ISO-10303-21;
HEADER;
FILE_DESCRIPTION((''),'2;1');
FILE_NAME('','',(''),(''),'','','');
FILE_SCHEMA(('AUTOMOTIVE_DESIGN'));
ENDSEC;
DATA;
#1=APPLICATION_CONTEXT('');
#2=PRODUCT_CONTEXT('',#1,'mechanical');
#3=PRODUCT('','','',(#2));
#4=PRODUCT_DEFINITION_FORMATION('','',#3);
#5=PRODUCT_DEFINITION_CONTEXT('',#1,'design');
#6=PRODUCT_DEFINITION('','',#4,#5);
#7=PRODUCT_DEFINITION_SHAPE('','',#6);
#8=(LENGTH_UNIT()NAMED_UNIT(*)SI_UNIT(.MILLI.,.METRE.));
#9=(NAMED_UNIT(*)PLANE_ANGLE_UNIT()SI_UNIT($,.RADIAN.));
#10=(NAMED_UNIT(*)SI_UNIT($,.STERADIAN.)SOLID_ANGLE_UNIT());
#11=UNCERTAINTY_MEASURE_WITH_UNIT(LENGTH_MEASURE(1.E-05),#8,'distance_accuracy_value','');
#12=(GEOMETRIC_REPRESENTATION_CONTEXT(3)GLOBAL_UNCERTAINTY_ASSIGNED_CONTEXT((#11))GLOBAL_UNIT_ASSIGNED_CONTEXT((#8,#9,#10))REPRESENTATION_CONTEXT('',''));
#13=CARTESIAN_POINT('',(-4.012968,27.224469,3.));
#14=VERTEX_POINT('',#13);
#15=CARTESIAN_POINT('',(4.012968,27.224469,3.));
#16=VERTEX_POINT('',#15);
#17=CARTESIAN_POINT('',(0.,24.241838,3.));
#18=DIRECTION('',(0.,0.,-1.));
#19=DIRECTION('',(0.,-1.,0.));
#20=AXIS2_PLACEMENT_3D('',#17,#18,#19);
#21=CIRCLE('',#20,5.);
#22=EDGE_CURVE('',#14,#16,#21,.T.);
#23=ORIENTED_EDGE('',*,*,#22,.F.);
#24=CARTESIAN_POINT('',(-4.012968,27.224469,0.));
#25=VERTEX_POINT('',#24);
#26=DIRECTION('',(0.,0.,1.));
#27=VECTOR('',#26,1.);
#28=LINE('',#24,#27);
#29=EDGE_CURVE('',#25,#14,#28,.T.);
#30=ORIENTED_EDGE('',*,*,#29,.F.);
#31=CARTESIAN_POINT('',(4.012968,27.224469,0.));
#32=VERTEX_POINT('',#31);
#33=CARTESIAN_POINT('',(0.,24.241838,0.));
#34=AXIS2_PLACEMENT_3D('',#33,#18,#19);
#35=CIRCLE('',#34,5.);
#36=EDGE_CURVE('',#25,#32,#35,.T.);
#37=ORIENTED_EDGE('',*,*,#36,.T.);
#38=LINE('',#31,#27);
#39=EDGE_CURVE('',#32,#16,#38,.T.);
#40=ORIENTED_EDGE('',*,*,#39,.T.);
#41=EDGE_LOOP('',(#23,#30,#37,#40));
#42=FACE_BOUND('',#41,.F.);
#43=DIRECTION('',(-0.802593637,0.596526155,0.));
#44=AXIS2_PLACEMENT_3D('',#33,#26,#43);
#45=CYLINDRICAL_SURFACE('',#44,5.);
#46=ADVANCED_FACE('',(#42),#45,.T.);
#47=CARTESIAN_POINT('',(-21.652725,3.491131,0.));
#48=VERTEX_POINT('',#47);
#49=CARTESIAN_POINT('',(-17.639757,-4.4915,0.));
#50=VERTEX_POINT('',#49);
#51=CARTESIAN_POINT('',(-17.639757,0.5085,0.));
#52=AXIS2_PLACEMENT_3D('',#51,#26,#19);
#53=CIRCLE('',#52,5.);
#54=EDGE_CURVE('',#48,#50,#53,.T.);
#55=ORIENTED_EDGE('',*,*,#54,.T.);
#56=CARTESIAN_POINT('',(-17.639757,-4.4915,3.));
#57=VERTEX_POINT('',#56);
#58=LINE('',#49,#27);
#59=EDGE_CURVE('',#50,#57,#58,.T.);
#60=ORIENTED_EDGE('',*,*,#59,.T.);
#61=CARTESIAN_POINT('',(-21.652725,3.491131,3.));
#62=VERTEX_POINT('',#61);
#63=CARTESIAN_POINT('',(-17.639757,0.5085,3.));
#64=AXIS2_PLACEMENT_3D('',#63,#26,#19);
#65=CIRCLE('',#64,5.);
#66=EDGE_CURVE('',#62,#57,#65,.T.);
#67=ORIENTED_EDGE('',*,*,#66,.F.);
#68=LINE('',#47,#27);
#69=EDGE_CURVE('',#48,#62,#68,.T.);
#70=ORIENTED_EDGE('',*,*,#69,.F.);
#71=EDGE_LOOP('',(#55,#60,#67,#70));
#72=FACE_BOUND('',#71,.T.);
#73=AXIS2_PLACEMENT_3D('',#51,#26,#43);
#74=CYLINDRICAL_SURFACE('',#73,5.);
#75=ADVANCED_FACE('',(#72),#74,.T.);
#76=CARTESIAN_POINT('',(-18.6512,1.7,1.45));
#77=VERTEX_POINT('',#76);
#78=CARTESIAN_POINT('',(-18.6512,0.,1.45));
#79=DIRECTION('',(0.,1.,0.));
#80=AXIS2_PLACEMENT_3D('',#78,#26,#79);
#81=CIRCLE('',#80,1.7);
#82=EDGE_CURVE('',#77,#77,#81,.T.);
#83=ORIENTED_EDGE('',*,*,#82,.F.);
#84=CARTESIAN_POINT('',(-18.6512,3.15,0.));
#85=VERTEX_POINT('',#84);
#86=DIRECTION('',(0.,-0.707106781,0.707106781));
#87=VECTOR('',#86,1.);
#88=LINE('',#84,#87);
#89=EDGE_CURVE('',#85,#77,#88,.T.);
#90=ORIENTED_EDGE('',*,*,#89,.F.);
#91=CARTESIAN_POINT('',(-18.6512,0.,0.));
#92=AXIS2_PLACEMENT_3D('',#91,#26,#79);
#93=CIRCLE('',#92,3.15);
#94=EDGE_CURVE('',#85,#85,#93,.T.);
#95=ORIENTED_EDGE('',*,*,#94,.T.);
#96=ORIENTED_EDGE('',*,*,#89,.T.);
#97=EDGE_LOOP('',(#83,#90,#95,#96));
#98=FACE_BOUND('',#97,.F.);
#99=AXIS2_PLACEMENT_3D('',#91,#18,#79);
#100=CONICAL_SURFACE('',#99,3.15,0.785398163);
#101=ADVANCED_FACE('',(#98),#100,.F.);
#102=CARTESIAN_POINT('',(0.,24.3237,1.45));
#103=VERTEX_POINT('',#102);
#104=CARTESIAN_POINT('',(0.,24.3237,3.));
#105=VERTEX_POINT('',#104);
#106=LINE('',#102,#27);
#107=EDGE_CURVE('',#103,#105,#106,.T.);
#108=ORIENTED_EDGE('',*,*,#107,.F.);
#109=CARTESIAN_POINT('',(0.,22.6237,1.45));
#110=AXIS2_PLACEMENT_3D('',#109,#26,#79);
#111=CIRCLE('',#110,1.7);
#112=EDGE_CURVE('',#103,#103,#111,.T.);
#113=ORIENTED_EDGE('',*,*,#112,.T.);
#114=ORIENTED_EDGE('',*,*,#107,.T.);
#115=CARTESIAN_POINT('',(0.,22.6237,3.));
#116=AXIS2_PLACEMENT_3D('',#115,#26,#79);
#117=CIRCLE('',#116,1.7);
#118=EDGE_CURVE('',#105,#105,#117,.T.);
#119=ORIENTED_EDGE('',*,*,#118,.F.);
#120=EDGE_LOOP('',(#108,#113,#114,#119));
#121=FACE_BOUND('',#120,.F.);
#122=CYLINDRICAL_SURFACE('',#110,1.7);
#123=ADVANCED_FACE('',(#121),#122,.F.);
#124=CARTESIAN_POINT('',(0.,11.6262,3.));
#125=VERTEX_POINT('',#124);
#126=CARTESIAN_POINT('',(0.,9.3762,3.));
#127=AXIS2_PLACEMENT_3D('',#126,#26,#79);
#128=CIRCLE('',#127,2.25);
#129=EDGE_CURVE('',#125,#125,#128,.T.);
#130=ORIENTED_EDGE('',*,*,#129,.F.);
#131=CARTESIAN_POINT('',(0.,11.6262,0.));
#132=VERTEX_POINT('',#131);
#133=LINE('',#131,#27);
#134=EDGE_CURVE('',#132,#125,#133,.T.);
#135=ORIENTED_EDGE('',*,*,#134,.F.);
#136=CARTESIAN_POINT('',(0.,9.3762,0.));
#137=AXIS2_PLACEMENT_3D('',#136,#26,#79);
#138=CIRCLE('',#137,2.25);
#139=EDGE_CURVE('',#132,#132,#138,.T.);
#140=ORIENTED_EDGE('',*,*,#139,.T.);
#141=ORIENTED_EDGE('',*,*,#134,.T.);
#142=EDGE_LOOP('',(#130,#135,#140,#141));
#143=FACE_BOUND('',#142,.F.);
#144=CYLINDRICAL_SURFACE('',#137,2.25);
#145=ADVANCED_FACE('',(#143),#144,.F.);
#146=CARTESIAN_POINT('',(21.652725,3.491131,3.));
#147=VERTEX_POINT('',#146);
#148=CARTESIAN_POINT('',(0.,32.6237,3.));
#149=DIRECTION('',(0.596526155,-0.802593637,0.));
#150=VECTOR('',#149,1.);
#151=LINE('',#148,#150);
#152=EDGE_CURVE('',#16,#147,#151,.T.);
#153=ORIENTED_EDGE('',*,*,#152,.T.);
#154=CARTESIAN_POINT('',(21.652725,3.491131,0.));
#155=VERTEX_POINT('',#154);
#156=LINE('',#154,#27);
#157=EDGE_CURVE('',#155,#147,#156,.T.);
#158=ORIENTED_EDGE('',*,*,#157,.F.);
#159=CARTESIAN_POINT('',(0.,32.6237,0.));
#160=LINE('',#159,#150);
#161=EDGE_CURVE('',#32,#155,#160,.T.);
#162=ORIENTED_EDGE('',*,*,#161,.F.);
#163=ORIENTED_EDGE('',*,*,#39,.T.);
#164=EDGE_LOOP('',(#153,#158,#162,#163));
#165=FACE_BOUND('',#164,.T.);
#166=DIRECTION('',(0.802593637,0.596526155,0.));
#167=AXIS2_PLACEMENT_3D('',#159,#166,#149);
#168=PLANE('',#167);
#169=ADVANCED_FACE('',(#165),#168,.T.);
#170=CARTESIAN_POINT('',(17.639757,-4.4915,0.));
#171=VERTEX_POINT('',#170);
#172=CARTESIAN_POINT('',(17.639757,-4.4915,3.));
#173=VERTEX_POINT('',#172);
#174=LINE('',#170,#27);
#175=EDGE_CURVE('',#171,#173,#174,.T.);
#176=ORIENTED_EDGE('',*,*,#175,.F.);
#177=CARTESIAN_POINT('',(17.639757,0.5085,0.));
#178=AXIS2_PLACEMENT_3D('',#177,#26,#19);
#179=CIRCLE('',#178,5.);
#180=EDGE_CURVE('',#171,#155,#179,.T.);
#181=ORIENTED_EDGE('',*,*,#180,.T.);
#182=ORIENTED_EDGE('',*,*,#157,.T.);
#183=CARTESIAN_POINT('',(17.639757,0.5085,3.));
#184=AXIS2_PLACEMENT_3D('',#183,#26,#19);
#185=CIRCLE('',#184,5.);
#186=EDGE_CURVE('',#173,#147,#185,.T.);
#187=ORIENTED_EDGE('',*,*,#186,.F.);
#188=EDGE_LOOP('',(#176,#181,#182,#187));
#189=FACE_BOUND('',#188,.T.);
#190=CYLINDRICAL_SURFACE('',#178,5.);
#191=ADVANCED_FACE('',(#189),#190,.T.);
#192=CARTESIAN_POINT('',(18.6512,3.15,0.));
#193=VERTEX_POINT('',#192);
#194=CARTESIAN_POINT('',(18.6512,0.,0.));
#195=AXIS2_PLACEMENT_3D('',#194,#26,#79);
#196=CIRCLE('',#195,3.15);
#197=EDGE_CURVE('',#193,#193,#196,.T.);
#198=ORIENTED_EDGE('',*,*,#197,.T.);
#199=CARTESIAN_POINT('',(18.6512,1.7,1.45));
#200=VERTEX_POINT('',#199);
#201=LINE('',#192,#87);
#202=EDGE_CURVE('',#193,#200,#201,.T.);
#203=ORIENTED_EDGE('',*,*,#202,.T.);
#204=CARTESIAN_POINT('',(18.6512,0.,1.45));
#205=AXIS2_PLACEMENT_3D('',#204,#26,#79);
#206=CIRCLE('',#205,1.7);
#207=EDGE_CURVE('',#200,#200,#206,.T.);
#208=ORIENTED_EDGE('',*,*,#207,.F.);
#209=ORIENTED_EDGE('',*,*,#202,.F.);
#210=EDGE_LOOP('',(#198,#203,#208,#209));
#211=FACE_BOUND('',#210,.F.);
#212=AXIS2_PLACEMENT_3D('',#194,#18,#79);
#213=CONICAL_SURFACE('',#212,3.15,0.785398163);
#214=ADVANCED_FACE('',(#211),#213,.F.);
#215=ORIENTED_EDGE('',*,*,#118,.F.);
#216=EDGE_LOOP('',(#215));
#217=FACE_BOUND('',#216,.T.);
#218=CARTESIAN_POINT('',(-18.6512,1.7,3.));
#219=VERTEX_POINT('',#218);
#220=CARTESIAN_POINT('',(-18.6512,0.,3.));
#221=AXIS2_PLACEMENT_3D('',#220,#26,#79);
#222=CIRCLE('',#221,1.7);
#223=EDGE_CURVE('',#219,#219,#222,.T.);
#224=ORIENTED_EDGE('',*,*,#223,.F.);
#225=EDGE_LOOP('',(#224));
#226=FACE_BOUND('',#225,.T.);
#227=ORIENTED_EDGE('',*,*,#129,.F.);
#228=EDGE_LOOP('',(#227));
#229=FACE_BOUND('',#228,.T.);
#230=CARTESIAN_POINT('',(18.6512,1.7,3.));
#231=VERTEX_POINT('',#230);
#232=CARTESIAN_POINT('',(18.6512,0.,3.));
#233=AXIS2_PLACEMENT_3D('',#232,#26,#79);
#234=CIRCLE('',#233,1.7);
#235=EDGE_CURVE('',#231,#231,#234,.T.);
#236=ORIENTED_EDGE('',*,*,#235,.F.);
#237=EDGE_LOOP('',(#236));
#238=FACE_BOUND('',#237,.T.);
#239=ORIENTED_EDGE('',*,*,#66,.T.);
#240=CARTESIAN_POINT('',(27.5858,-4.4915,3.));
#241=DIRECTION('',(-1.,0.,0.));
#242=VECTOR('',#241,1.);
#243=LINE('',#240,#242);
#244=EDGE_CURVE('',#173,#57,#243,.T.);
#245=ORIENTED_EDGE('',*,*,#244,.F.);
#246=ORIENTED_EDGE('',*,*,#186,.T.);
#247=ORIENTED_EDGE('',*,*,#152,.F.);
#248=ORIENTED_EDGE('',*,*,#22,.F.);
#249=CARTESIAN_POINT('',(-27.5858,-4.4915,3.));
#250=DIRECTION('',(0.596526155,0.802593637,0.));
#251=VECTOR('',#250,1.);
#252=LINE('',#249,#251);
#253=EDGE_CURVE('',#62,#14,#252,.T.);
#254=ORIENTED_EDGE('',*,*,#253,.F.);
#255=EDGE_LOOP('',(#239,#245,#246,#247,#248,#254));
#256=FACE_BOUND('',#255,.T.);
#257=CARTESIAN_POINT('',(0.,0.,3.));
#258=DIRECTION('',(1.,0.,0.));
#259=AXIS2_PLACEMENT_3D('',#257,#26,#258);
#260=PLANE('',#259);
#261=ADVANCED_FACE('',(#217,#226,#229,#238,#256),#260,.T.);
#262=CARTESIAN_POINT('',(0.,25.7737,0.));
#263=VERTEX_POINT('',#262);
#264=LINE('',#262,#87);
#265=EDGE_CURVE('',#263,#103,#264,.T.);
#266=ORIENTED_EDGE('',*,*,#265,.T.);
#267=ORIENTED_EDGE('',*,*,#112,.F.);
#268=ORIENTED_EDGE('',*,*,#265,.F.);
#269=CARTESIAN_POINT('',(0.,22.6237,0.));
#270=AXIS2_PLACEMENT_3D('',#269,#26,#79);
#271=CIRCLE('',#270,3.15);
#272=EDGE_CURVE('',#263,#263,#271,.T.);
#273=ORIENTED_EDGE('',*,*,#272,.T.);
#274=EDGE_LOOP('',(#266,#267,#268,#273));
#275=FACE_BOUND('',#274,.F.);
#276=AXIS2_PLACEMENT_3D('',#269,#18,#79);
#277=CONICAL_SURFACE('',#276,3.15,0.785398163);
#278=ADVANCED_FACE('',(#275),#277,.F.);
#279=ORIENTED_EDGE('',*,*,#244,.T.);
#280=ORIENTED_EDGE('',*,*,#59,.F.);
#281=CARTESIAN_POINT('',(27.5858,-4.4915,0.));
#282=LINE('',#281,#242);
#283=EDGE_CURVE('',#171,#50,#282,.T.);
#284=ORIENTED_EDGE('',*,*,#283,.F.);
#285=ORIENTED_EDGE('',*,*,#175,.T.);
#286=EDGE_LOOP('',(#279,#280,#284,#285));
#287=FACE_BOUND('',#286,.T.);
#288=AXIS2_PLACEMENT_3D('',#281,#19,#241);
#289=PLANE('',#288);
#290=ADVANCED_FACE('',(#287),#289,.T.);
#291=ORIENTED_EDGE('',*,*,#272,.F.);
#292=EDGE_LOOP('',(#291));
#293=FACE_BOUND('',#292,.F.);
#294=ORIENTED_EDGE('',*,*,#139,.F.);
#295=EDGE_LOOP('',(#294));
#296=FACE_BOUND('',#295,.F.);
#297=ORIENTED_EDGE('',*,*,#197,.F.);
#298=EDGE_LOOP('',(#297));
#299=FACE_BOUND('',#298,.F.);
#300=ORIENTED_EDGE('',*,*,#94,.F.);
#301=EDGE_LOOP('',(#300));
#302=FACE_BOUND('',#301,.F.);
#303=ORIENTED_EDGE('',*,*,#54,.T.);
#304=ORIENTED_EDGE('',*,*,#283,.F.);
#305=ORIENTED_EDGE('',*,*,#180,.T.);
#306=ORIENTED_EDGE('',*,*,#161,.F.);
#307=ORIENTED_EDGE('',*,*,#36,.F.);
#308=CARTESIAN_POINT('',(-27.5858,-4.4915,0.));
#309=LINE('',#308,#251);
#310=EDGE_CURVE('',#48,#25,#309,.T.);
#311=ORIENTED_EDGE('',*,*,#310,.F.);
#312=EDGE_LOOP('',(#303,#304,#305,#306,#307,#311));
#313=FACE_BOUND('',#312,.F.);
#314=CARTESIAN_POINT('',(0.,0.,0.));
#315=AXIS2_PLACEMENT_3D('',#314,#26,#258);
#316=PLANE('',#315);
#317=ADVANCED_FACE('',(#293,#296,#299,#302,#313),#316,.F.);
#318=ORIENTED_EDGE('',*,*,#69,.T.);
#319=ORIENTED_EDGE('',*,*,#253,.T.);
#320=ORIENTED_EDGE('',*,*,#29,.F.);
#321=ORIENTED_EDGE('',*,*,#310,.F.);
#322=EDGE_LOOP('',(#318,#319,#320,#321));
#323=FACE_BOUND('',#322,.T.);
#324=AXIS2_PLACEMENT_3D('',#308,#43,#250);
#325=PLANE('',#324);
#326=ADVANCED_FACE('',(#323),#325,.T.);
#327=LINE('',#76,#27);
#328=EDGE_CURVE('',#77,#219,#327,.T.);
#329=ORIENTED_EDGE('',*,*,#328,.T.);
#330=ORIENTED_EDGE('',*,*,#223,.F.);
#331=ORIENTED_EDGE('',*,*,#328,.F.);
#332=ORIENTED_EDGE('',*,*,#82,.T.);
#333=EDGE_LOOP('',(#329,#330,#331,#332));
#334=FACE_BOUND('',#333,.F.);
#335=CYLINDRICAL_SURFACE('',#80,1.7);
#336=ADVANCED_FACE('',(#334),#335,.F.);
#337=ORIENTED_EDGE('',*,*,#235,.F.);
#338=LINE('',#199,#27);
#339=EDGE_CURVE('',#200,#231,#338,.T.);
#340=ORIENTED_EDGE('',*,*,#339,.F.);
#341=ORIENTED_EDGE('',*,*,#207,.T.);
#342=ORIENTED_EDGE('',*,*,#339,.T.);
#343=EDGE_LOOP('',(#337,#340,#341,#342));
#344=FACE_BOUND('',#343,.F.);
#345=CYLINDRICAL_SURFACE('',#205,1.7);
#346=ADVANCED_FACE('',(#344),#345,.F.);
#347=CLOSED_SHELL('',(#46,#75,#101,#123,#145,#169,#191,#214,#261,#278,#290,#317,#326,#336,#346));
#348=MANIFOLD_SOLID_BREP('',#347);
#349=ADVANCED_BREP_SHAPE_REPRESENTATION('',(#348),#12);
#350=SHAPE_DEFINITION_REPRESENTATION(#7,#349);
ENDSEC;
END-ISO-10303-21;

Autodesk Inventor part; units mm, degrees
ref_plane "YZ Plane" through (0, 0, 0) normal (1, 0, 0) x (0, 1, 0)
ref_plane "XZ Plane" through (0, 0, 0) normal (0, 1, 0) x (-1, 0, 0)
ref_plane "XY Plane" through (0, 0, 0) normal (0, 0, 1) x (1, 0, 0)
sketch "Sketch1" plane through (0, 0, 0) normal (0, 0, 1) x (1, 0, 0)
  line L0 (18.6512, 0) -> (-18.6512, 0) construction
  line L1 (-27.5858, -4.4915) -> (0, 32.6237)
  line L2 (0, 32.6237) -> (27.5858, -4.4915)
  line L3 (27.5858, -4.4915) -> (-27.5858, -4.4915)
  line L4 (0, 32.6237) -> (0, 9.3762) construction
  line L5 (0, 9.3762) -> (-27.5858, -4.4915) construction
  line L6 (0, 9.3762) -> (27.5858, -4.4915) construction
  point P0 (0, 0)
  point P1 (0, 22.6237)
  point P2 (0, 0)
  dimension "d0" = 37.3025
  dimension "d1" = 22.6237
  dimension "d2" = 10
  dimension "d3" = 10
  dimension "d21" = 26.689
  dimension "d22" = 26.689
extrude "Extrusion1" add sketch "Sketch1" along normal blind 3
hole "Hole1" at (0, 22.6237, 0) at (18.6512, 0, 0) at (-18.6512, 0, 0) direction (0, 0, 1) diameter 3.4 depth 7 tip angle 118 countersink diameter 6.3 countersink angle 90 clearance for "Flat Head Machine Screw" size "M3" standard "Ansi Metric M Profile"
hole "Hole2" at (0, 9.3762, 0) direction (0, 0, 1) diameter 4.5 depth 7 tip angle 118 clearance for "Flat Head Machine Screw" size "M4" standard "Ansi Metric M Profile"
fillet "Fillet1" radius 5 3 edges at (0, 32.6237, 1.5) (27.5858, -4.4915, 1.5) (-27.5858, -4.4915, 1.5)
equation "\"d21\" = d22"
properties part number "Idle Ball Mount"
